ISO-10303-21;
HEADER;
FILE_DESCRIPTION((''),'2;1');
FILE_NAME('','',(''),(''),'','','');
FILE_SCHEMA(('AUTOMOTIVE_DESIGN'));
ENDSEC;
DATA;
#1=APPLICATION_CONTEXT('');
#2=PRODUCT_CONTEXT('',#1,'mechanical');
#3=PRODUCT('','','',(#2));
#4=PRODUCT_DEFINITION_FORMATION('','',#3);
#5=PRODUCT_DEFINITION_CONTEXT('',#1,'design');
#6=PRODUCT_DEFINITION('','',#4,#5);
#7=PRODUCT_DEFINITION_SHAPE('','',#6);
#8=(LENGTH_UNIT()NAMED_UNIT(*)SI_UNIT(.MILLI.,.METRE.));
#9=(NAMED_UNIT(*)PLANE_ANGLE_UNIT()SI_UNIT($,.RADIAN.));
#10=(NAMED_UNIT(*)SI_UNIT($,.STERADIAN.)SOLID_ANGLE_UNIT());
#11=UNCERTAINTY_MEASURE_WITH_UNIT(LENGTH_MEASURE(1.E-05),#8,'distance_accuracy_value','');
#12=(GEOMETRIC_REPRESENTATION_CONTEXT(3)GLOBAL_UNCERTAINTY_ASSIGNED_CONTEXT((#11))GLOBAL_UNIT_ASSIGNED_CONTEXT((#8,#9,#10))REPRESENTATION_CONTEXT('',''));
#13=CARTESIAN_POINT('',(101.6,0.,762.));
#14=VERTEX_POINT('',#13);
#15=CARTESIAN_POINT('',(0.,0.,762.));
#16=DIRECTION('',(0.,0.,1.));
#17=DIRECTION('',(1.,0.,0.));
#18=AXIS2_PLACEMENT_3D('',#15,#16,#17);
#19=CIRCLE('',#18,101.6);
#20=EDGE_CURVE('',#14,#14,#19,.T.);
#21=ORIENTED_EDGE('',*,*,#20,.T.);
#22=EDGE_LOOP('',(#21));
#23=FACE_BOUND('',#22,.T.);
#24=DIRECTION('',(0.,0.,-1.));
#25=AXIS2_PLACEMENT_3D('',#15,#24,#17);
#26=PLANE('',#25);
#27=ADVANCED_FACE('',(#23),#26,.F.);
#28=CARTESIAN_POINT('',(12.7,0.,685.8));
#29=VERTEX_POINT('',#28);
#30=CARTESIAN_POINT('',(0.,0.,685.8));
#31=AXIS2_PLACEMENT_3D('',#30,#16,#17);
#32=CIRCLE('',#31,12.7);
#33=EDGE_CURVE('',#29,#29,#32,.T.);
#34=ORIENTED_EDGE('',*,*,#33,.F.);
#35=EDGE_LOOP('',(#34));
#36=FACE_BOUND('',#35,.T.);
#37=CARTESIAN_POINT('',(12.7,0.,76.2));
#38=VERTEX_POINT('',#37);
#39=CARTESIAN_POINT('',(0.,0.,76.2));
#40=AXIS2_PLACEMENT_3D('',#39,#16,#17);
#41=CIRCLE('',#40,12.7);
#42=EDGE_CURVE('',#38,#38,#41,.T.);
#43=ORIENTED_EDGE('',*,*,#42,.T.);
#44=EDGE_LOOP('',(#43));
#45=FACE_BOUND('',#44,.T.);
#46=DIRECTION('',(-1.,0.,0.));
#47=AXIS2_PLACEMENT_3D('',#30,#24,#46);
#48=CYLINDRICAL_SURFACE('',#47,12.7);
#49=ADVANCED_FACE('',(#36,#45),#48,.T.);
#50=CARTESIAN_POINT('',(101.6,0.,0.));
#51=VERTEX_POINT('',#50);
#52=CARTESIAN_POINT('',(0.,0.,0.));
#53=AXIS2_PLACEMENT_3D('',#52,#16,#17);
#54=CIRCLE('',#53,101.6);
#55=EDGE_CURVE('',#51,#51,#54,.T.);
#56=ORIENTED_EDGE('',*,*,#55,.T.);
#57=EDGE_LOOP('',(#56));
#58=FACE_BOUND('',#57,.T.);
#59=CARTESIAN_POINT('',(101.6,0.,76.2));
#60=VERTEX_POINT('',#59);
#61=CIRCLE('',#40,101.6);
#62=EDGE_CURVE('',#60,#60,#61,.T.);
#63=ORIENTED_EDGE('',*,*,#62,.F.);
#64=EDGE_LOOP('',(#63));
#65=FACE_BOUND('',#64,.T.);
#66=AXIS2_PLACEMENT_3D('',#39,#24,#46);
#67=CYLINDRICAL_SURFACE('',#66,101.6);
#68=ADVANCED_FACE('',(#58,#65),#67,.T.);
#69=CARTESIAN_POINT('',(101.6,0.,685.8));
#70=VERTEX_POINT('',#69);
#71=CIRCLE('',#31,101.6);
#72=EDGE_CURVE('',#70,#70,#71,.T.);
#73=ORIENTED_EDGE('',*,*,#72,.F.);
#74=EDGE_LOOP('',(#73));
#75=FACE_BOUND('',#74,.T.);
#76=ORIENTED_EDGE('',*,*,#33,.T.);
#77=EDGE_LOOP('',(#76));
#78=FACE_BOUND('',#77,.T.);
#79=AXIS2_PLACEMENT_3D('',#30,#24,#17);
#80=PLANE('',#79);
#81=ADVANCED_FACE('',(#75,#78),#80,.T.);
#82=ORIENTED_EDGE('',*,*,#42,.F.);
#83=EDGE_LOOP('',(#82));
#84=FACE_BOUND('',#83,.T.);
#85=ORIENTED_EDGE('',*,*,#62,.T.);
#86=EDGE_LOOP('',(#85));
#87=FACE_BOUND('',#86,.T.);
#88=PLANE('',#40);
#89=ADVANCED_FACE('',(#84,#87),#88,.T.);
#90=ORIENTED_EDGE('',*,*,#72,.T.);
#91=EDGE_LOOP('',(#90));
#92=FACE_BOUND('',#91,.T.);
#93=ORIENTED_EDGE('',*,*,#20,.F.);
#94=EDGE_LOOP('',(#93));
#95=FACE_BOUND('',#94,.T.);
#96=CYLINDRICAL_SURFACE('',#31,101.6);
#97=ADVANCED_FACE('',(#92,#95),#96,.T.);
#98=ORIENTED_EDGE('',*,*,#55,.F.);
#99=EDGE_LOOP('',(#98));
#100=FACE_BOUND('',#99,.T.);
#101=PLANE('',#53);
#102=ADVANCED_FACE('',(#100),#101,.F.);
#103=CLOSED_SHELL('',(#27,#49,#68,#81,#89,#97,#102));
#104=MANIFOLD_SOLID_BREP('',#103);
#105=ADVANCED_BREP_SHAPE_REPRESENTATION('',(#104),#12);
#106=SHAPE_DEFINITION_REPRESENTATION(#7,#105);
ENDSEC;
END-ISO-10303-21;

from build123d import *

# Parameters (mm, degrees)
SKETCH1_R           = 101.6
BOSS_EXTRUDE1_DEPTH = 76.2
SKETCH2_R           = 12.7
BOSS_EXTRUDE2_DEPTH = 609.6


with BuildPart() as part:
    # Sketch1 → Boss-Extrude1 (new body)
    with BuildSketch(Plane.XY):
        Circle(SKETCH1_R)
    boss_extrude1 = extrude(amount=BOSS_EXTRUDE1_DEPTH)

    # Sketch2 → Boss-Extrude2 (add)
    with BuildSketch(Plane.XY.offset(76.2)):
        Circle(SKETCH2_R)
    extrude(amount=BOSS_EXTRUDE2_DEPTH)

    # Mirror1: Boss-Extrude1 across plane
    add(boss_extrude1.mirror(Plane.XY.offset(381)))


solid = part.part
